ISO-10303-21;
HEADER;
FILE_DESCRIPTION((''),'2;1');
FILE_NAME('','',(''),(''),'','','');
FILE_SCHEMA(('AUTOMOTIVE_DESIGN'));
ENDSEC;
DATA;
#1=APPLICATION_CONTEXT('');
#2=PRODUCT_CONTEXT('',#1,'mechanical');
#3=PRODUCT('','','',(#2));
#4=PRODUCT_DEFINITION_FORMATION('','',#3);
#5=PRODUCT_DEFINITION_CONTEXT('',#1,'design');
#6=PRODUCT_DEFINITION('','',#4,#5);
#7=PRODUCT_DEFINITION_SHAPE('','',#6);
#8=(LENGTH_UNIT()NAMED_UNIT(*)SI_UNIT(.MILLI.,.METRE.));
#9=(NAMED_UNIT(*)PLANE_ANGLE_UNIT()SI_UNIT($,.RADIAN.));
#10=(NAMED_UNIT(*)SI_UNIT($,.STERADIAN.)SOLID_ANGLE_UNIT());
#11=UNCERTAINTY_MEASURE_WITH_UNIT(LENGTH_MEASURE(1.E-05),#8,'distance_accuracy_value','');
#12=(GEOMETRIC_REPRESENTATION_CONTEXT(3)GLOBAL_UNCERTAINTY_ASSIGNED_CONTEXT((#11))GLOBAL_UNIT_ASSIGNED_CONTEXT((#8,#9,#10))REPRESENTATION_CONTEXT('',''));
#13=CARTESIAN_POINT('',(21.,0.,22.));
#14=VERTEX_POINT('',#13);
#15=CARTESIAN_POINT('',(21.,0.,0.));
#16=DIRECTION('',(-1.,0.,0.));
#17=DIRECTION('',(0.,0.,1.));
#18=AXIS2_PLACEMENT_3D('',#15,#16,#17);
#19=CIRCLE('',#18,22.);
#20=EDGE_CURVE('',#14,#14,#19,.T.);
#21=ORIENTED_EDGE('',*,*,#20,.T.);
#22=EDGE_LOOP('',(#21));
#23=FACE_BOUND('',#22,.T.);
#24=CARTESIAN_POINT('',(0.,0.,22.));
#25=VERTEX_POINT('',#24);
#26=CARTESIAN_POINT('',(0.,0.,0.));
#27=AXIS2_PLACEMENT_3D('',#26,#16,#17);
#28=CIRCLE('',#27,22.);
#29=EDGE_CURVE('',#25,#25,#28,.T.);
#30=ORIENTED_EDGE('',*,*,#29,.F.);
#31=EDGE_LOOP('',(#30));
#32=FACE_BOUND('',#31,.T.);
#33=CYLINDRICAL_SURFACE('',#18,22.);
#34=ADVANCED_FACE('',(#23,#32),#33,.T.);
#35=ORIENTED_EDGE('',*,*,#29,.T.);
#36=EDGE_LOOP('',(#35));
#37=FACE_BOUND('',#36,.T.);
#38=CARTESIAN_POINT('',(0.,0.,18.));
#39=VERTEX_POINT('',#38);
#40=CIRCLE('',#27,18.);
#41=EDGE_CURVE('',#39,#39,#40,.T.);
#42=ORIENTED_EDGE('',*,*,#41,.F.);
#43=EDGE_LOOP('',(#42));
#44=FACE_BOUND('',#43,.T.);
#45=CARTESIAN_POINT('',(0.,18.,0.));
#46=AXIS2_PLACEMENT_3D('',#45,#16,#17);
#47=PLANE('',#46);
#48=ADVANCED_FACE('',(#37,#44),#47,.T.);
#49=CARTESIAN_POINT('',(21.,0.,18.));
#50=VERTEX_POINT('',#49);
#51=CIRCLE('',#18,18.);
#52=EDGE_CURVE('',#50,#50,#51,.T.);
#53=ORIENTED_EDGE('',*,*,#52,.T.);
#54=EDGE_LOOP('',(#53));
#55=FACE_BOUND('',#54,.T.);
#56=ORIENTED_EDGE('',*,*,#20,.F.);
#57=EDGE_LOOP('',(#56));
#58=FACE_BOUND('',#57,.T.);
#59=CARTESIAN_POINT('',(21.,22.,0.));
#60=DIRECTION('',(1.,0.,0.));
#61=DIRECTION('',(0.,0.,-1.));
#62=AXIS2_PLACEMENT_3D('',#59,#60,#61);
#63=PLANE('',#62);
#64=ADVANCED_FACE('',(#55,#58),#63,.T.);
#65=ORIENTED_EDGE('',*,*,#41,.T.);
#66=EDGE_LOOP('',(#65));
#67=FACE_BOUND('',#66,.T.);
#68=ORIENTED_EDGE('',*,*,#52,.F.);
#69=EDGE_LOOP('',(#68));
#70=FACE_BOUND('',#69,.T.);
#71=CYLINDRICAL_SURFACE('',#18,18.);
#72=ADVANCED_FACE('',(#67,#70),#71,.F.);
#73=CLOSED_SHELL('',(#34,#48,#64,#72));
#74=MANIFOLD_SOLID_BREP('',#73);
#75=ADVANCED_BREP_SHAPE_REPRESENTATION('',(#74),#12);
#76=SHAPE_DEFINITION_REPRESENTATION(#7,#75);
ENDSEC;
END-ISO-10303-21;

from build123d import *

# Parameters (mm, degrees)
ESQUISSE1_W = 21
ESQUISSE1_H = 4


with BuildPart() as part:
    # Esquisse1 → Révolution1 (revolve)
    with BuildSketch(Plane(origin=(0, 0, 0), x_dir=(-1, 0, 0), z_dir=(0, 0, -1)), mode=Mode.PRIVATE) as r_volution1_sk:
        with Locations((-10.5, 20)):
            Rectangle(ESQUISSE1_W, ESQUISSE1_H)
    revolve(r_volution1_sk.sketch.rotate(Axis((21, 0, 0), (-1, 0, 0)), 270), axis=Axis((21, 0, 0), (-1, 0, 0)))


solid = part.part
